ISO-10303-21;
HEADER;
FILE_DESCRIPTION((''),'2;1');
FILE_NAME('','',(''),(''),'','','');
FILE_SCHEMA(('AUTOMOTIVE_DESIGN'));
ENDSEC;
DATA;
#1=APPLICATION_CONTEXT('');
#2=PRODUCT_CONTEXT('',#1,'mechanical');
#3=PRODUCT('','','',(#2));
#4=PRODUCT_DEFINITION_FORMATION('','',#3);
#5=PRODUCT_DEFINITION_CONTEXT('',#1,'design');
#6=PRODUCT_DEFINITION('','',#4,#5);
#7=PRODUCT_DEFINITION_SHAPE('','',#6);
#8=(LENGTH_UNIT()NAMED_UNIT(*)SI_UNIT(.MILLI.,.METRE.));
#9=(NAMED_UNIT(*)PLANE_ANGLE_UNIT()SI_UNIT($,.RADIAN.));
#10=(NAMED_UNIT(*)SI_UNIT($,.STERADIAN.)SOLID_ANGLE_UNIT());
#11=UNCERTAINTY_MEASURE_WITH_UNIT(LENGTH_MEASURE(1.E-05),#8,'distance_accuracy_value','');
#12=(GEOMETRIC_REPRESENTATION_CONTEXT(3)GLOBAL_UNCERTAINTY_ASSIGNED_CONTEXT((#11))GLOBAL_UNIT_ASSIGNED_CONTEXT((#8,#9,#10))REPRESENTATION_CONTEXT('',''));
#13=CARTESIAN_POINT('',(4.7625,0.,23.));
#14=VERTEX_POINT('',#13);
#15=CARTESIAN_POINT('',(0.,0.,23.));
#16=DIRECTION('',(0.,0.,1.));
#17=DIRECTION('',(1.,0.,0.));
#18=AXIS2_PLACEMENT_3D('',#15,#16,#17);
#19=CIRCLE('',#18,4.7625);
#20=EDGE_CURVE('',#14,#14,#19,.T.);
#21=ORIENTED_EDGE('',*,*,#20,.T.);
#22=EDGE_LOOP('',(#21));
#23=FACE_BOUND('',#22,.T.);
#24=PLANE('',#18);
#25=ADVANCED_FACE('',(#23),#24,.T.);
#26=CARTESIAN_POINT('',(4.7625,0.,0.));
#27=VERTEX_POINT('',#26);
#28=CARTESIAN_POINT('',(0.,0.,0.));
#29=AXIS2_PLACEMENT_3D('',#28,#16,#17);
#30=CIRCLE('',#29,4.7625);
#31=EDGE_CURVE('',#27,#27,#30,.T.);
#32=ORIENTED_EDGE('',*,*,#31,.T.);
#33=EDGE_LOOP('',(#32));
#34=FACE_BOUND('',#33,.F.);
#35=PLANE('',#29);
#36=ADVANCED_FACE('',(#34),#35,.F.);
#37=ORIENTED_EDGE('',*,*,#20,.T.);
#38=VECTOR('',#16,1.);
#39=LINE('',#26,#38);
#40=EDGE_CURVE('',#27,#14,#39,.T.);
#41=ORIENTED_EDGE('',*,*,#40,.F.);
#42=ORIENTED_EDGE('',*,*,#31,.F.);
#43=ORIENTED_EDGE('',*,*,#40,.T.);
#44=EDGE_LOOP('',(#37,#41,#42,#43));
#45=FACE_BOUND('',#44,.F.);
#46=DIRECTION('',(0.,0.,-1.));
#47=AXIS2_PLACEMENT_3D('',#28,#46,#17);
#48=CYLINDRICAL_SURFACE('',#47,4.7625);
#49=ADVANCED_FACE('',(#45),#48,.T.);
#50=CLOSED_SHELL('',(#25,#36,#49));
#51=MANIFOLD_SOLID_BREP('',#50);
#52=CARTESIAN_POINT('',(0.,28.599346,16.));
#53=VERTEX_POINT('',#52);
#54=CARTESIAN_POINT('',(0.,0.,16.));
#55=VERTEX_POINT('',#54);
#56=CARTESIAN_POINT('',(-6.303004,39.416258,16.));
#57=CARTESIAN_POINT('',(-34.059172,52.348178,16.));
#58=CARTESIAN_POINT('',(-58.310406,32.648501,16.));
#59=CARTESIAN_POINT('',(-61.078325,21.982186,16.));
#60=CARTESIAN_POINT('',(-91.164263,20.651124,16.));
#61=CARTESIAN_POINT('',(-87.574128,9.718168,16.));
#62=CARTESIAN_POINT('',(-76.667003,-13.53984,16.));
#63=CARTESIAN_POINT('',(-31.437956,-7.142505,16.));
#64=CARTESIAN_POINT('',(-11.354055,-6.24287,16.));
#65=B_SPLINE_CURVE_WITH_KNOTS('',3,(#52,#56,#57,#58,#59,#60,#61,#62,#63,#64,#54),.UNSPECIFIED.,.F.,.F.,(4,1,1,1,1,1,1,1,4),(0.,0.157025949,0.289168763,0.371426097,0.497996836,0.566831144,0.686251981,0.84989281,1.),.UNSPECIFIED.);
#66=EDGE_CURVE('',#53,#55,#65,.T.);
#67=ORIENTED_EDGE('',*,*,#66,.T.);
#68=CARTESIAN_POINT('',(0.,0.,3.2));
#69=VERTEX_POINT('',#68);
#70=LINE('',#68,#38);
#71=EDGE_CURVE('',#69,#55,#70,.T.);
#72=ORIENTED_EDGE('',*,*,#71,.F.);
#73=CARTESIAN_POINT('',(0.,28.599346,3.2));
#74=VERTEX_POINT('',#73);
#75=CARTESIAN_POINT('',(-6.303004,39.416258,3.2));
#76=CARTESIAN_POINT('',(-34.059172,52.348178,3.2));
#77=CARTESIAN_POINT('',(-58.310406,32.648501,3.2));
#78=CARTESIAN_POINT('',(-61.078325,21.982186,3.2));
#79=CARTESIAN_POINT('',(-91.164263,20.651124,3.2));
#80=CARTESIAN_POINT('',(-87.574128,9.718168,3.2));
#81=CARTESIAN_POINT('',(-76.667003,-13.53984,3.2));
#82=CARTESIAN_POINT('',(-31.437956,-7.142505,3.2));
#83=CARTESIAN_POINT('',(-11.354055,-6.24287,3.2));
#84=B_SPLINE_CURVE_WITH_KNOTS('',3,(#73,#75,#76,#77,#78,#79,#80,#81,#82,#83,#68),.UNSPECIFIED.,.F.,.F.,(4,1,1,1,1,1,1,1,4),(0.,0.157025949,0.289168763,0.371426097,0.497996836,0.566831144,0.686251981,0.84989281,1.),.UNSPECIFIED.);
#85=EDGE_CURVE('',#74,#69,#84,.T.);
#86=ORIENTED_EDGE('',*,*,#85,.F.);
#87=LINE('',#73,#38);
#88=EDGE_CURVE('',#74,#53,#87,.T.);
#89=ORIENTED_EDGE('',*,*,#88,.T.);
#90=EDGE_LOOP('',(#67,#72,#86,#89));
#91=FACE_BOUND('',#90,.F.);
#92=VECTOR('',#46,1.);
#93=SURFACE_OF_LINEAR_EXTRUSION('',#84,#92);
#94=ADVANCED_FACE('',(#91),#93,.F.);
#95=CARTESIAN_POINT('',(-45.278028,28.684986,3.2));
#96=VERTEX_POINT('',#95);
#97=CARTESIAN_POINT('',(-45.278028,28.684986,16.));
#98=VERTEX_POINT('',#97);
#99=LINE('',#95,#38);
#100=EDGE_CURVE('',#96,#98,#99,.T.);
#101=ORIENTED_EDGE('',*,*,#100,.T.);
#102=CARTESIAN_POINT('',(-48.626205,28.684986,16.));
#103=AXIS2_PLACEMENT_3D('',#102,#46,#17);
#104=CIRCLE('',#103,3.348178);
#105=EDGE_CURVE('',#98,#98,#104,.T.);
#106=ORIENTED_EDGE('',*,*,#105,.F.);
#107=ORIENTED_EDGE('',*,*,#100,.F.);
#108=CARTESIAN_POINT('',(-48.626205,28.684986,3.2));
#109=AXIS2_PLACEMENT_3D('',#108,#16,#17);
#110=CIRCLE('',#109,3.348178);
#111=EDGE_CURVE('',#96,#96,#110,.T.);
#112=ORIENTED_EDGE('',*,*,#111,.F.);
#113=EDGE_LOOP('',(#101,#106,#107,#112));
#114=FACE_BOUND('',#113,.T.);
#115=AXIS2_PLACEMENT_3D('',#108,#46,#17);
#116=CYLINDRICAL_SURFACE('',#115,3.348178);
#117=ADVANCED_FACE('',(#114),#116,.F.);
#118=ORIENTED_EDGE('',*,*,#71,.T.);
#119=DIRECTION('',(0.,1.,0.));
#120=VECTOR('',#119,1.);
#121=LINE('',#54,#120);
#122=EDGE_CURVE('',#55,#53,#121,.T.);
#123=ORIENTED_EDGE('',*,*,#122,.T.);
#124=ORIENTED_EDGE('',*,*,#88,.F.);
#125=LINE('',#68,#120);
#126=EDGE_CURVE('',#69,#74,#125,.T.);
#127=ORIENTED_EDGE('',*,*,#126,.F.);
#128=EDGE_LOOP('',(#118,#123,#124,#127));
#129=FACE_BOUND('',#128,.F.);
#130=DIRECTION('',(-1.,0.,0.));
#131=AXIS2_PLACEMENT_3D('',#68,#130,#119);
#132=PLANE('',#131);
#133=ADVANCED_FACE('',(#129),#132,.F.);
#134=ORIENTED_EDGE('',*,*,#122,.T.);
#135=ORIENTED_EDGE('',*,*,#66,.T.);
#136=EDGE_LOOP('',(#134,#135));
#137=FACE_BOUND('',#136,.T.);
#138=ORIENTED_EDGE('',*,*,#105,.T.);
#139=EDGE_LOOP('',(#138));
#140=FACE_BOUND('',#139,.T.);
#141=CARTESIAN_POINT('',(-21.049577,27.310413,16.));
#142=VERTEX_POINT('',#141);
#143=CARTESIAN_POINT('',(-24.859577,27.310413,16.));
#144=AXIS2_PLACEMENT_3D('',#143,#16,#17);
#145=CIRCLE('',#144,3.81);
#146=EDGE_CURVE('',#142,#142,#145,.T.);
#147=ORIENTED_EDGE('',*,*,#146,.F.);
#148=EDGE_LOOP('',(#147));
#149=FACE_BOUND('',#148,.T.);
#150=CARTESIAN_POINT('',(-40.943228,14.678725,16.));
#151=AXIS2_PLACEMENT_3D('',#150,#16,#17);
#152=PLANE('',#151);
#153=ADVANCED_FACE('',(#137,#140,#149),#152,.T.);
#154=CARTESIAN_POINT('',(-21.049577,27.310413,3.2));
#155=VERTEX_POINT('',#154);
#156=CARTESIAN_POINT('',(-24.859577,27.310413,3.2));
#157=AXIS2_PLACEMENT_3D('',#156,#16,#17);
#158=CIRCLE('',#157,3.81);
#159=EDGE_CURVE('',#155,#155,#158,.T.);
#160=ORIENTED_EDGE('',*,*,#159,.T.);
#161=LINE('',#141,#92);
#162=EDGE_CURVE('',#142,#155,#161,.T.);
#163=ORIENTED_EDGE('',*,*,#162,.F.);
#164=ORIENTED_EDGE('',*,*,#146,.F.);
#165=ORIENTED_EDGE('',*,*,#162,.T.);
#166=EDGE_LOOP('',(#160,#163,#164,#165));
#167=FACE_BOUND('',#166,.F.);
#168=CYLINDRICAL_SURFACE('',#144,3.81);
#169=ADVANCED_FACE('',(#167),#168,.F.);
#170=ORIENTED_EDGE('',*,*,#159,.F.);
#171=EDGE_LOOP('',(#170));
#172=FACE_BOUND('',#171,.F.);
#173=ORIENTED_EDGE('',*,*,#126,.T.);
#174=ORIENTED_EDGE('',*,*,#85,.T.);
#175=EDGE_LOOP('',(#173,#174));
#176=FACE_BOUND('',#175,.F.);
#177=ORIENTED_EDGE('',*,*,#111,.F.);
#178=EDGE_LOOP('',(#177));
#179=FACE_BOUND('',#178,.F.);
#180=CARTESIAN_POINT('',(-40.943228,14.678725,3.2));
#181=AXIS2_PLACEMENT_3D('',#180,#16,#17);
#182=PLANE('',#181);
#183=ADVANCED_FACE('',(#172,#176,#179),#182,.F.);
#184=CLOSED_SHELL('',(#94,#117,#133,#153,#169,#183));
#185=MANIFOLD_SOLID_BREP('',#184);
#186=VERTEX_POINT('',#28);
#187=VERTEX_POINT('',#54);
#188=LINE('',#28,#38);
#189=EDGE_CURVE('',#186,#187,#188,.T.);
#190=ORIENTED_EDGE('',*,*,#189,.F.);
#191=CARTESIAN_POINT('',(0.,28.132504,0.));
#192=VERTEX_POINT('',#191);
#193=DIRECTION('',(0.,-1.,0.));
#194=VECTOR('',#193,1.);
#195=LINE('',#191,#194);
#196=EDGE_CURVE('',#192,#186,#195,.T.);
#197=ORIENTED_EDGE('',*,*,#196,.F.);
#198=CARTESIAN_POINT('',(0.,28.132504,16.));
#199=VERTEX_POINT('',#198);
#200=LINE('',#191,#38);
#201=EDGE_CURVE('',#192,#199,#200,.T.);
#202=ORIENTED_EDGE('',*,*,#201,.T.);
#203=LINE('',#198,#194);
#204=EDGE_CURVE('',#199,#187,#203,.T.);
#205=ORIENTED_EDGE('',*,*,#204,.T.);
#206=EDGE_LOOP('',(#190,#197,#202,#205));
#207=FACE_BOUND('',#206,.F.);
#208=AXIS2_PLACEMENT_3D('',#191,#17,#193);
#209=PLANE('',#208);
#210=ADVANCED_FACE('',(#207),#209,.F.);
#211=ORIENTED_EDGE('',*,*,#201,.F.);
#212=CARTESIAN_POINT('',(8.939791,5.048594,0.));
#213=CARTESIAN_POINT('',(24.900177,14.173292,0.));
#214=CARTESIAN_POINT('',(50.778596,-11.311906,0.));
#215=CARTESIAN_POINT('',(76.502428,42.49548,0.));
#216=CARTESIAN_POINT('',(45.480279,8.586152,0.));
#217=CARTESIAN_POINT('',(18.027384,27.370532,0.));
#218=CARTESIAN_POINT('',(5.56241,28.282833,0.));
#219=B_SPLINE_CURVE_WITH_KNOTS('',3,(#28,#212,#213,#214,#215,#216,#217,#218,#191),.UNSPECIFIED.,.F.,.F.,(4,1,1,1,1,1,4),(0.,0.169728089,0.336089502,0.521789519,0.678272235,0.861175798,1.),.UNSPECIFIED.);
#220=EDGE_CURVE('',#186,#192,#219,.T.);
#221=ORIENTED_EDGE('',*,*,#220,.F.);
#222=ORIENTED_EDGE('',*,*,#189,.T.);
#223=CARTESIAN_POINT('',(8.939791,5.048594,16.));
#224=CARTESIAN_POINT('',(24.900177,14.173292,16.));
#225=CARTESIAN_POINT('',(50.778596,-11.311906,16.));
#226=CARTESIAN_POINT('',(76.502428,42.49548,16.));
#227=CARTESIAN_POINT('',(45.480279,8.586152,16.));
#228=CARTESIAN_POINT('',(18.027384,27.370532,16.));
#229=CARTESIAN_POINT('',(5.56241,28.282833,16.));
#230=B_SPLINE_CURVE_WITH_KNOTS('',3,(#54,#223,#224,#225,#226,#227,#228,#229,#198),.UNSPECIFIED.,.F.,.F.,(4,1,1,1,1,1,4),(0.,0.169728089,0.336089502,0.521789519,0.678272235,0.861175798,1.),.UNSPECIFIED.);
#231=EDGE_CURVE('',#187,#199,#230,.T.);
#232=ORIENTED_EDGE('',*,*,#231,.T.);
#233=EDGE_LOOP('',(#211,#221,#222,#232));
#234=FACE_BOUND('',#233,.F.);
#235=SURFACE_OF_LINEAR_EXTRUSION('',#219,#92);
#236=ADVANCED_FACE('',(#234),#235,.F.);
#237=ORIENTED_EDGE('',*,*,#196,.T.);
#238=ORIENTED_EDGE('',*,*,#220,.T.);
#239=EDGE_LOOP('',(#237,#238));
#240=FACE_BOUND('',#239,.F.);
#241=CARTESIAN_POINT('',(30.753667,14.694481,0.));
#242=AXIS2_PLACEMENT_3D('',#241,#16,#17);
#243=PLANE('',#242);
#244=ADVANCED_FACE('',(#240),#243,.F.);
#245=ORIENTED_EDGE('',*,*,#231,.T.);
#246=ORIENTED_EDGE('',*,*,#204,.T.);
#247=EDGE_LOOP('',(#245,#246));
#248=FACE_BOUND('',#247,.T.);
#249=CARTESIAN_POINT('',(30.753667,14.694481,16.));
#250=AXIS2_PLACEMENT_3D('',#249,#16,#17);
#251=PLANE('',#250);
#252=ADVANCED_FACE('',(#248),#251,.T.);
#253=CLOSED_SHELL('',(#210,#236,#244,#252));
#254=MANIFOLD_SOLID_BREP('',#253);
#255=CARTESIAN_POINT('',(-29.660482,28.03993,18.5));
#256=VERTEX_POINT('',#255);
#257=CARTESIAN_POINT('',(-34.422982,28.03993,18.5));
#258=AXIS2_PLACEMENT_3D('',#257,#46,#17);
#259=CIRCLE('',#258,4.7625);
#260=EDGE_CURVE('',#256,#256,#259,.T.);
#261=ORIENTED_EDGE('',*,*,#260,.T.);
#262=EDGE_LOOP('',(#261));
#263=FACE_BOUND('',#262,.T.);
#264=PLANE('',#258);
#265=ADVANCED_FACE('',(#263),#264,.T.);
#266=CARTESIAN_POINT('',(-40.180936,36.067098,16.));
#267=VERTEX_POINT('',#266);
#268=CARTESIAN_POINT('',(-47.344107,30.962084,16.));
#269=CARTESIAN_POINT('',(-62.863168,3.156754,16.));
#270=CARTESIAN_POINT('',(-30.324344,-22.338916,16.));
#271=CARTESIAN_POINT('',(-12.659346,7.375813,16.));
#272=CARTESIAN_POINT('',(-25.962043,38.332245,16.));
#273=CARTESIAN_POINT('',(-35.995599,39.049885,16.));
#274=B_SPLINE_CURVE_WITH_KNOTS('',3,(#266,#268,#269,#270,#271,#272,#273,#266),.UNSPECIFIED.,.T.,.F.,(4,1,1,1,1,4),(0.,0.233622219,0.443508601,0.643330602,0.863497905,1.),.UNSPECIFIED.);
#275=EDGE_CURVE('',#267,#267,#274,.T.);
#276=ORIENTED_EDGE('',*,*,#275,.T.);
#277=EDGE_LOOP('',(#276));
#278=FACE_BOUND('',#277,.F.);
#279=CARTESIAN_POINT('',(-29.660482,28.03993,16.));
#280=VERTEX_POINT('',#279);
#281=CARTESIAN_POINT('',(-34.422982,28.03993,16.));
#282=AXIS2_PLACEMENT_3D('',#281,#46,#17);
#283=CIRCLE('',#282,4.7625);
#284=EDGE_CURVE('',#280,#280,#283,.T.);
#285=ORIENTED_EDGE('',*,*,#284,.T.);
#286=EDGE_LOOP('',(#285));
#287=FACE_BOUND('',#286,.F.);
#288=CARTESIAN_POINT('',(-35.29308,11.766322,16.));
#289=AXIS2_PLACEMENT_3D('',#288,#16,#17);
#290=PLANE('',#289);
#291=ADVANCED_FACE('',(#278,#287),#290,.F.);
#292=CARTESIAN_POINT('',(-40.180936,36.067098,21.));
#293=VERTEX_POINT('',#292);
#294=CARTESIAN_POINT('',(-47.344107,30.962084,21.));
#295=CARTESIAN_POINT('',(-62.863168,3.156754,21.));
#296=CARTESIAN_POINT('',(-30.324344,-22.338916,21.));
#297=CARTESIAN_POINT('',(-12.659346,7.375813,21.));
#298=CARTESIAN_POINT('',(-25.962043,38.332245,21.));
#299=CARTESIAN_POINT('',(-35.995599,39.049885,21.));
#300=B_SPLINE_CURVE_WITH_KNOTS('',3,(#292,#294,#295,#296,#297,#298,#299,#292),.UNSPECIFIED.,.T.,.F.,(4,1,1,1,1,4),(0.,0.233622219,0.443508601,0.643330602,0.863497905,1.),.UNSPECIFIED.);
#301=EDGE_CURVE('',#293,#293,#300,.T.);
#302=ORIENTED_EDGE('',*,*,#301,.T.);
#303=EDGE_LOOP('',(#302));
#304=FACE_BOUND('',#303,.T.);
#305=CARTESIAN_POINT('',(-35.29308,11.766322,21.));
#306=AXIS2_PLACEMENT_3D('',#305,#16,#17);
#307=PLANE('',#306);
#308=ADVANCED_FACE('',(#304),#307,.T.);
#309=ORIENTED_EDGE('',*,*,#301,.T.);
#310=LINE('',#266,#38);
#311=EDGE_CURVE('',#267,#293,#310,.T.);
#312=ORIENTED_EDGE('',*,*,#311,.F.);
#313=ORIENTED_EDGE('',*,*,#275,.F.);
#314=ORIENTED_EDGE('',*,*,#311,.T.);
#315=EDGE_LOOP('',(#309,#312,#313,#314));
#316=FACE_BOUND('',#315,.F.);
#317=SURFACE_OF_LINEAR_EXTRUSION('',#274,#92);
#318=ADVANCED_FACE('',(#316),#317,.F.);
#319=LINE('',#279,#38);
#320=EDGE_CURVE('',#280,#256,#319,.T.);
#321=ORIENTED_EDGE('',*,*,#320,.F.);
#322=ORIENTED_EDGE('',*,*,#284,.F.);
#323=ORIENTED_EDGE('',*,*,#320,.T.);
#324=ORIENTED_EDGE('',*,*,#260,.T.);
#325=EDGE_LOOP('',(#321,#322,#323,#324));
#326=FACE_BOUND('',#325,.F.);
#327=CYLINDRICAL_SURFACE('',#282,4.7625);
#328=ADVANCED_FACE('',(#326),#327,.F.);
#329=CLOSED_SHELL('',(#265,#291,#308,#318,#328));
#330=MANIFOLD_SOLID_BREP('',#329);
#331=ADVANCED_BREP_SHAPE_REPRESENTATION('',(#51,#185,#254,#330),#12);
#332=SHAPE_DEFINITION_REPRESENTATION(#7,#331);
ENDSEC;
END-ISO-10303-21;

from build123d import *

# Parameters (mm, degrees)
F1_DEPTH  = 16
F2_R      = 4.1852221239
F3_DEPTH  = 25
F5_DEPTH  = 5
F6_R      = 4.7625
F7_DEPTH  = 2.5
F8_R      = 4.7625
F9_DEPTH  = 23
F10_R     = 4.7625
F11_DEPTH = 25
F12_SCALE = 0.8
F13_SCALE = 0.8
F15_DEPTH = 16


with BuildPart() as f1:
    # F0 (on Top) → F1 (new body)
    with BuildSketch(Plane.XY):
        with BuildLine():
            add(Edge.make_bspline(
                [(0, 35.7491821051), (-7.8787554073, 49.2703223238), (-42.5739645717, 65.4352226946), (-72.888007785, 40.8106264437), (-76.3479065544, 27.4777319468), (-113.9553286254, 25.8139044253), (-109.4676597362, 12.1477101503), (-95.8337539132, -16.9247996265), (-39.297445265, -8.9281318341), (-14.1925693537, -7.8035870001), (0, 0)],
                knots=[0, 0, 0, 0, 0.1570259492, 0.2891687633, 0.3714260973, 0.4979968364, 0.5668311438, 0.6862519806, 0.8498928105, 1, 1, 1, 1], degree=3))
            Line((0, 0), (0, 35.7491821051))
        make_face()
    extrude(amount=F1_DEPTH)

    # F2 (on Top) → F3 (cut)
    with BuildSketch(Plane.XY):
        with Locations((-60.7827566564, 35.8562320471)):
            Circle(F2_R)
    extrude(amount=F3_DEPTH, mode=Mode.SUBTRACT)

    # F10 (on face) → F11 (cut)
    with BuildSketch(Plane.XY.offset(16)):
        with Locations((-31.0744717717, 34.1380164027)):
            Circle(F10_R)
    extrude(amount=-F11_DEPTH, mode=Mode.SUBTRACT)


with BuildPart() as f5:
    # F4 (on face) → F5 (new body)
    with BuildSketch(Plane.XY.offset(16)):
        with BuildLine():
            add(Edge.make_bspline(
                [(-40.1809364557, 36.0670983791), (-47.3441068316, 30.9620838474), (-62.8631682684, 3.1567539514), (-30.32434424, -22.3389161466), (-12.6593458515, 7.3758134615), (-25.9620429962, 38.3322445269), (-35.9955992439, 39.0498847943), (-40.1809364557, 36.0670983791)],
                knots=[0, 0, 0, 0, 0.2336222189, 0.4435086005, 0.643330602, 0.8634979046, 1, 1, 1, 1], degree=3))
        make_face()
    extrude(amount=F5_DEPTH)

    # F6 (on face) → F7 (cut)
    with BuildSketch(Plane(origin=(0, 0, 16), x_dir=(1, 0, 0), z_dir=(0, 0, -1))):
        with Locations((-34.4229824841, -28.0399303883)):
            Circle(F6_R)
    extrude(amount=-F7_DEPTH, mode=Mode.SUBTRACT)


with BuildPart() as f9:
    # F8 (on Top) → F9 (new body)
    with BuildSketch(Plane.XY):
        Circle(F8_R)
    extrude(amount=F9_DEPTH)


with BuildPart() as f12_1:
    # F12: copy of F1
    add(f1.part.scale(F12_SCALE).moved(Location((0, 0, 3.2))))


with BuildPart() as f1_1:
    # F13: moved
    add(f1.part.scale(F13_SCALE).moved(Location((0, 0, 3.2))))


with BuildPart() as f15:
    # F14 (on Top) → F15 (new body)
    with BuildSketch(Plane.XY):
        with BuildLine():
            Line((0, 28.1325038522), (0, 0))
            add(Edge.make_bspline(
                [(0, 0), (8.9397907378, 5.0485939575), (24.9001765769, 14.1732918185), (50.7785960402, -11.3119058084), (76.5024276246, 42.495480332), (45.4802791855, 8.5861515621), (18.0273835318, 27.3705323254), (5.5624095452, 28.2828330526), (0, 28.1325038522)],
                knots=[0, 0, 0, 0, 0.1697280888, 0.336089502, 0.5217895186, 0.6782722353, 0.8611757982, 1, 1, 1, 1], degree=3))
        make_face()
    extrude(amount=F15_DEPTH)


solid = Compound([f5.part, f9.part, f1_1.part, f15.part])
